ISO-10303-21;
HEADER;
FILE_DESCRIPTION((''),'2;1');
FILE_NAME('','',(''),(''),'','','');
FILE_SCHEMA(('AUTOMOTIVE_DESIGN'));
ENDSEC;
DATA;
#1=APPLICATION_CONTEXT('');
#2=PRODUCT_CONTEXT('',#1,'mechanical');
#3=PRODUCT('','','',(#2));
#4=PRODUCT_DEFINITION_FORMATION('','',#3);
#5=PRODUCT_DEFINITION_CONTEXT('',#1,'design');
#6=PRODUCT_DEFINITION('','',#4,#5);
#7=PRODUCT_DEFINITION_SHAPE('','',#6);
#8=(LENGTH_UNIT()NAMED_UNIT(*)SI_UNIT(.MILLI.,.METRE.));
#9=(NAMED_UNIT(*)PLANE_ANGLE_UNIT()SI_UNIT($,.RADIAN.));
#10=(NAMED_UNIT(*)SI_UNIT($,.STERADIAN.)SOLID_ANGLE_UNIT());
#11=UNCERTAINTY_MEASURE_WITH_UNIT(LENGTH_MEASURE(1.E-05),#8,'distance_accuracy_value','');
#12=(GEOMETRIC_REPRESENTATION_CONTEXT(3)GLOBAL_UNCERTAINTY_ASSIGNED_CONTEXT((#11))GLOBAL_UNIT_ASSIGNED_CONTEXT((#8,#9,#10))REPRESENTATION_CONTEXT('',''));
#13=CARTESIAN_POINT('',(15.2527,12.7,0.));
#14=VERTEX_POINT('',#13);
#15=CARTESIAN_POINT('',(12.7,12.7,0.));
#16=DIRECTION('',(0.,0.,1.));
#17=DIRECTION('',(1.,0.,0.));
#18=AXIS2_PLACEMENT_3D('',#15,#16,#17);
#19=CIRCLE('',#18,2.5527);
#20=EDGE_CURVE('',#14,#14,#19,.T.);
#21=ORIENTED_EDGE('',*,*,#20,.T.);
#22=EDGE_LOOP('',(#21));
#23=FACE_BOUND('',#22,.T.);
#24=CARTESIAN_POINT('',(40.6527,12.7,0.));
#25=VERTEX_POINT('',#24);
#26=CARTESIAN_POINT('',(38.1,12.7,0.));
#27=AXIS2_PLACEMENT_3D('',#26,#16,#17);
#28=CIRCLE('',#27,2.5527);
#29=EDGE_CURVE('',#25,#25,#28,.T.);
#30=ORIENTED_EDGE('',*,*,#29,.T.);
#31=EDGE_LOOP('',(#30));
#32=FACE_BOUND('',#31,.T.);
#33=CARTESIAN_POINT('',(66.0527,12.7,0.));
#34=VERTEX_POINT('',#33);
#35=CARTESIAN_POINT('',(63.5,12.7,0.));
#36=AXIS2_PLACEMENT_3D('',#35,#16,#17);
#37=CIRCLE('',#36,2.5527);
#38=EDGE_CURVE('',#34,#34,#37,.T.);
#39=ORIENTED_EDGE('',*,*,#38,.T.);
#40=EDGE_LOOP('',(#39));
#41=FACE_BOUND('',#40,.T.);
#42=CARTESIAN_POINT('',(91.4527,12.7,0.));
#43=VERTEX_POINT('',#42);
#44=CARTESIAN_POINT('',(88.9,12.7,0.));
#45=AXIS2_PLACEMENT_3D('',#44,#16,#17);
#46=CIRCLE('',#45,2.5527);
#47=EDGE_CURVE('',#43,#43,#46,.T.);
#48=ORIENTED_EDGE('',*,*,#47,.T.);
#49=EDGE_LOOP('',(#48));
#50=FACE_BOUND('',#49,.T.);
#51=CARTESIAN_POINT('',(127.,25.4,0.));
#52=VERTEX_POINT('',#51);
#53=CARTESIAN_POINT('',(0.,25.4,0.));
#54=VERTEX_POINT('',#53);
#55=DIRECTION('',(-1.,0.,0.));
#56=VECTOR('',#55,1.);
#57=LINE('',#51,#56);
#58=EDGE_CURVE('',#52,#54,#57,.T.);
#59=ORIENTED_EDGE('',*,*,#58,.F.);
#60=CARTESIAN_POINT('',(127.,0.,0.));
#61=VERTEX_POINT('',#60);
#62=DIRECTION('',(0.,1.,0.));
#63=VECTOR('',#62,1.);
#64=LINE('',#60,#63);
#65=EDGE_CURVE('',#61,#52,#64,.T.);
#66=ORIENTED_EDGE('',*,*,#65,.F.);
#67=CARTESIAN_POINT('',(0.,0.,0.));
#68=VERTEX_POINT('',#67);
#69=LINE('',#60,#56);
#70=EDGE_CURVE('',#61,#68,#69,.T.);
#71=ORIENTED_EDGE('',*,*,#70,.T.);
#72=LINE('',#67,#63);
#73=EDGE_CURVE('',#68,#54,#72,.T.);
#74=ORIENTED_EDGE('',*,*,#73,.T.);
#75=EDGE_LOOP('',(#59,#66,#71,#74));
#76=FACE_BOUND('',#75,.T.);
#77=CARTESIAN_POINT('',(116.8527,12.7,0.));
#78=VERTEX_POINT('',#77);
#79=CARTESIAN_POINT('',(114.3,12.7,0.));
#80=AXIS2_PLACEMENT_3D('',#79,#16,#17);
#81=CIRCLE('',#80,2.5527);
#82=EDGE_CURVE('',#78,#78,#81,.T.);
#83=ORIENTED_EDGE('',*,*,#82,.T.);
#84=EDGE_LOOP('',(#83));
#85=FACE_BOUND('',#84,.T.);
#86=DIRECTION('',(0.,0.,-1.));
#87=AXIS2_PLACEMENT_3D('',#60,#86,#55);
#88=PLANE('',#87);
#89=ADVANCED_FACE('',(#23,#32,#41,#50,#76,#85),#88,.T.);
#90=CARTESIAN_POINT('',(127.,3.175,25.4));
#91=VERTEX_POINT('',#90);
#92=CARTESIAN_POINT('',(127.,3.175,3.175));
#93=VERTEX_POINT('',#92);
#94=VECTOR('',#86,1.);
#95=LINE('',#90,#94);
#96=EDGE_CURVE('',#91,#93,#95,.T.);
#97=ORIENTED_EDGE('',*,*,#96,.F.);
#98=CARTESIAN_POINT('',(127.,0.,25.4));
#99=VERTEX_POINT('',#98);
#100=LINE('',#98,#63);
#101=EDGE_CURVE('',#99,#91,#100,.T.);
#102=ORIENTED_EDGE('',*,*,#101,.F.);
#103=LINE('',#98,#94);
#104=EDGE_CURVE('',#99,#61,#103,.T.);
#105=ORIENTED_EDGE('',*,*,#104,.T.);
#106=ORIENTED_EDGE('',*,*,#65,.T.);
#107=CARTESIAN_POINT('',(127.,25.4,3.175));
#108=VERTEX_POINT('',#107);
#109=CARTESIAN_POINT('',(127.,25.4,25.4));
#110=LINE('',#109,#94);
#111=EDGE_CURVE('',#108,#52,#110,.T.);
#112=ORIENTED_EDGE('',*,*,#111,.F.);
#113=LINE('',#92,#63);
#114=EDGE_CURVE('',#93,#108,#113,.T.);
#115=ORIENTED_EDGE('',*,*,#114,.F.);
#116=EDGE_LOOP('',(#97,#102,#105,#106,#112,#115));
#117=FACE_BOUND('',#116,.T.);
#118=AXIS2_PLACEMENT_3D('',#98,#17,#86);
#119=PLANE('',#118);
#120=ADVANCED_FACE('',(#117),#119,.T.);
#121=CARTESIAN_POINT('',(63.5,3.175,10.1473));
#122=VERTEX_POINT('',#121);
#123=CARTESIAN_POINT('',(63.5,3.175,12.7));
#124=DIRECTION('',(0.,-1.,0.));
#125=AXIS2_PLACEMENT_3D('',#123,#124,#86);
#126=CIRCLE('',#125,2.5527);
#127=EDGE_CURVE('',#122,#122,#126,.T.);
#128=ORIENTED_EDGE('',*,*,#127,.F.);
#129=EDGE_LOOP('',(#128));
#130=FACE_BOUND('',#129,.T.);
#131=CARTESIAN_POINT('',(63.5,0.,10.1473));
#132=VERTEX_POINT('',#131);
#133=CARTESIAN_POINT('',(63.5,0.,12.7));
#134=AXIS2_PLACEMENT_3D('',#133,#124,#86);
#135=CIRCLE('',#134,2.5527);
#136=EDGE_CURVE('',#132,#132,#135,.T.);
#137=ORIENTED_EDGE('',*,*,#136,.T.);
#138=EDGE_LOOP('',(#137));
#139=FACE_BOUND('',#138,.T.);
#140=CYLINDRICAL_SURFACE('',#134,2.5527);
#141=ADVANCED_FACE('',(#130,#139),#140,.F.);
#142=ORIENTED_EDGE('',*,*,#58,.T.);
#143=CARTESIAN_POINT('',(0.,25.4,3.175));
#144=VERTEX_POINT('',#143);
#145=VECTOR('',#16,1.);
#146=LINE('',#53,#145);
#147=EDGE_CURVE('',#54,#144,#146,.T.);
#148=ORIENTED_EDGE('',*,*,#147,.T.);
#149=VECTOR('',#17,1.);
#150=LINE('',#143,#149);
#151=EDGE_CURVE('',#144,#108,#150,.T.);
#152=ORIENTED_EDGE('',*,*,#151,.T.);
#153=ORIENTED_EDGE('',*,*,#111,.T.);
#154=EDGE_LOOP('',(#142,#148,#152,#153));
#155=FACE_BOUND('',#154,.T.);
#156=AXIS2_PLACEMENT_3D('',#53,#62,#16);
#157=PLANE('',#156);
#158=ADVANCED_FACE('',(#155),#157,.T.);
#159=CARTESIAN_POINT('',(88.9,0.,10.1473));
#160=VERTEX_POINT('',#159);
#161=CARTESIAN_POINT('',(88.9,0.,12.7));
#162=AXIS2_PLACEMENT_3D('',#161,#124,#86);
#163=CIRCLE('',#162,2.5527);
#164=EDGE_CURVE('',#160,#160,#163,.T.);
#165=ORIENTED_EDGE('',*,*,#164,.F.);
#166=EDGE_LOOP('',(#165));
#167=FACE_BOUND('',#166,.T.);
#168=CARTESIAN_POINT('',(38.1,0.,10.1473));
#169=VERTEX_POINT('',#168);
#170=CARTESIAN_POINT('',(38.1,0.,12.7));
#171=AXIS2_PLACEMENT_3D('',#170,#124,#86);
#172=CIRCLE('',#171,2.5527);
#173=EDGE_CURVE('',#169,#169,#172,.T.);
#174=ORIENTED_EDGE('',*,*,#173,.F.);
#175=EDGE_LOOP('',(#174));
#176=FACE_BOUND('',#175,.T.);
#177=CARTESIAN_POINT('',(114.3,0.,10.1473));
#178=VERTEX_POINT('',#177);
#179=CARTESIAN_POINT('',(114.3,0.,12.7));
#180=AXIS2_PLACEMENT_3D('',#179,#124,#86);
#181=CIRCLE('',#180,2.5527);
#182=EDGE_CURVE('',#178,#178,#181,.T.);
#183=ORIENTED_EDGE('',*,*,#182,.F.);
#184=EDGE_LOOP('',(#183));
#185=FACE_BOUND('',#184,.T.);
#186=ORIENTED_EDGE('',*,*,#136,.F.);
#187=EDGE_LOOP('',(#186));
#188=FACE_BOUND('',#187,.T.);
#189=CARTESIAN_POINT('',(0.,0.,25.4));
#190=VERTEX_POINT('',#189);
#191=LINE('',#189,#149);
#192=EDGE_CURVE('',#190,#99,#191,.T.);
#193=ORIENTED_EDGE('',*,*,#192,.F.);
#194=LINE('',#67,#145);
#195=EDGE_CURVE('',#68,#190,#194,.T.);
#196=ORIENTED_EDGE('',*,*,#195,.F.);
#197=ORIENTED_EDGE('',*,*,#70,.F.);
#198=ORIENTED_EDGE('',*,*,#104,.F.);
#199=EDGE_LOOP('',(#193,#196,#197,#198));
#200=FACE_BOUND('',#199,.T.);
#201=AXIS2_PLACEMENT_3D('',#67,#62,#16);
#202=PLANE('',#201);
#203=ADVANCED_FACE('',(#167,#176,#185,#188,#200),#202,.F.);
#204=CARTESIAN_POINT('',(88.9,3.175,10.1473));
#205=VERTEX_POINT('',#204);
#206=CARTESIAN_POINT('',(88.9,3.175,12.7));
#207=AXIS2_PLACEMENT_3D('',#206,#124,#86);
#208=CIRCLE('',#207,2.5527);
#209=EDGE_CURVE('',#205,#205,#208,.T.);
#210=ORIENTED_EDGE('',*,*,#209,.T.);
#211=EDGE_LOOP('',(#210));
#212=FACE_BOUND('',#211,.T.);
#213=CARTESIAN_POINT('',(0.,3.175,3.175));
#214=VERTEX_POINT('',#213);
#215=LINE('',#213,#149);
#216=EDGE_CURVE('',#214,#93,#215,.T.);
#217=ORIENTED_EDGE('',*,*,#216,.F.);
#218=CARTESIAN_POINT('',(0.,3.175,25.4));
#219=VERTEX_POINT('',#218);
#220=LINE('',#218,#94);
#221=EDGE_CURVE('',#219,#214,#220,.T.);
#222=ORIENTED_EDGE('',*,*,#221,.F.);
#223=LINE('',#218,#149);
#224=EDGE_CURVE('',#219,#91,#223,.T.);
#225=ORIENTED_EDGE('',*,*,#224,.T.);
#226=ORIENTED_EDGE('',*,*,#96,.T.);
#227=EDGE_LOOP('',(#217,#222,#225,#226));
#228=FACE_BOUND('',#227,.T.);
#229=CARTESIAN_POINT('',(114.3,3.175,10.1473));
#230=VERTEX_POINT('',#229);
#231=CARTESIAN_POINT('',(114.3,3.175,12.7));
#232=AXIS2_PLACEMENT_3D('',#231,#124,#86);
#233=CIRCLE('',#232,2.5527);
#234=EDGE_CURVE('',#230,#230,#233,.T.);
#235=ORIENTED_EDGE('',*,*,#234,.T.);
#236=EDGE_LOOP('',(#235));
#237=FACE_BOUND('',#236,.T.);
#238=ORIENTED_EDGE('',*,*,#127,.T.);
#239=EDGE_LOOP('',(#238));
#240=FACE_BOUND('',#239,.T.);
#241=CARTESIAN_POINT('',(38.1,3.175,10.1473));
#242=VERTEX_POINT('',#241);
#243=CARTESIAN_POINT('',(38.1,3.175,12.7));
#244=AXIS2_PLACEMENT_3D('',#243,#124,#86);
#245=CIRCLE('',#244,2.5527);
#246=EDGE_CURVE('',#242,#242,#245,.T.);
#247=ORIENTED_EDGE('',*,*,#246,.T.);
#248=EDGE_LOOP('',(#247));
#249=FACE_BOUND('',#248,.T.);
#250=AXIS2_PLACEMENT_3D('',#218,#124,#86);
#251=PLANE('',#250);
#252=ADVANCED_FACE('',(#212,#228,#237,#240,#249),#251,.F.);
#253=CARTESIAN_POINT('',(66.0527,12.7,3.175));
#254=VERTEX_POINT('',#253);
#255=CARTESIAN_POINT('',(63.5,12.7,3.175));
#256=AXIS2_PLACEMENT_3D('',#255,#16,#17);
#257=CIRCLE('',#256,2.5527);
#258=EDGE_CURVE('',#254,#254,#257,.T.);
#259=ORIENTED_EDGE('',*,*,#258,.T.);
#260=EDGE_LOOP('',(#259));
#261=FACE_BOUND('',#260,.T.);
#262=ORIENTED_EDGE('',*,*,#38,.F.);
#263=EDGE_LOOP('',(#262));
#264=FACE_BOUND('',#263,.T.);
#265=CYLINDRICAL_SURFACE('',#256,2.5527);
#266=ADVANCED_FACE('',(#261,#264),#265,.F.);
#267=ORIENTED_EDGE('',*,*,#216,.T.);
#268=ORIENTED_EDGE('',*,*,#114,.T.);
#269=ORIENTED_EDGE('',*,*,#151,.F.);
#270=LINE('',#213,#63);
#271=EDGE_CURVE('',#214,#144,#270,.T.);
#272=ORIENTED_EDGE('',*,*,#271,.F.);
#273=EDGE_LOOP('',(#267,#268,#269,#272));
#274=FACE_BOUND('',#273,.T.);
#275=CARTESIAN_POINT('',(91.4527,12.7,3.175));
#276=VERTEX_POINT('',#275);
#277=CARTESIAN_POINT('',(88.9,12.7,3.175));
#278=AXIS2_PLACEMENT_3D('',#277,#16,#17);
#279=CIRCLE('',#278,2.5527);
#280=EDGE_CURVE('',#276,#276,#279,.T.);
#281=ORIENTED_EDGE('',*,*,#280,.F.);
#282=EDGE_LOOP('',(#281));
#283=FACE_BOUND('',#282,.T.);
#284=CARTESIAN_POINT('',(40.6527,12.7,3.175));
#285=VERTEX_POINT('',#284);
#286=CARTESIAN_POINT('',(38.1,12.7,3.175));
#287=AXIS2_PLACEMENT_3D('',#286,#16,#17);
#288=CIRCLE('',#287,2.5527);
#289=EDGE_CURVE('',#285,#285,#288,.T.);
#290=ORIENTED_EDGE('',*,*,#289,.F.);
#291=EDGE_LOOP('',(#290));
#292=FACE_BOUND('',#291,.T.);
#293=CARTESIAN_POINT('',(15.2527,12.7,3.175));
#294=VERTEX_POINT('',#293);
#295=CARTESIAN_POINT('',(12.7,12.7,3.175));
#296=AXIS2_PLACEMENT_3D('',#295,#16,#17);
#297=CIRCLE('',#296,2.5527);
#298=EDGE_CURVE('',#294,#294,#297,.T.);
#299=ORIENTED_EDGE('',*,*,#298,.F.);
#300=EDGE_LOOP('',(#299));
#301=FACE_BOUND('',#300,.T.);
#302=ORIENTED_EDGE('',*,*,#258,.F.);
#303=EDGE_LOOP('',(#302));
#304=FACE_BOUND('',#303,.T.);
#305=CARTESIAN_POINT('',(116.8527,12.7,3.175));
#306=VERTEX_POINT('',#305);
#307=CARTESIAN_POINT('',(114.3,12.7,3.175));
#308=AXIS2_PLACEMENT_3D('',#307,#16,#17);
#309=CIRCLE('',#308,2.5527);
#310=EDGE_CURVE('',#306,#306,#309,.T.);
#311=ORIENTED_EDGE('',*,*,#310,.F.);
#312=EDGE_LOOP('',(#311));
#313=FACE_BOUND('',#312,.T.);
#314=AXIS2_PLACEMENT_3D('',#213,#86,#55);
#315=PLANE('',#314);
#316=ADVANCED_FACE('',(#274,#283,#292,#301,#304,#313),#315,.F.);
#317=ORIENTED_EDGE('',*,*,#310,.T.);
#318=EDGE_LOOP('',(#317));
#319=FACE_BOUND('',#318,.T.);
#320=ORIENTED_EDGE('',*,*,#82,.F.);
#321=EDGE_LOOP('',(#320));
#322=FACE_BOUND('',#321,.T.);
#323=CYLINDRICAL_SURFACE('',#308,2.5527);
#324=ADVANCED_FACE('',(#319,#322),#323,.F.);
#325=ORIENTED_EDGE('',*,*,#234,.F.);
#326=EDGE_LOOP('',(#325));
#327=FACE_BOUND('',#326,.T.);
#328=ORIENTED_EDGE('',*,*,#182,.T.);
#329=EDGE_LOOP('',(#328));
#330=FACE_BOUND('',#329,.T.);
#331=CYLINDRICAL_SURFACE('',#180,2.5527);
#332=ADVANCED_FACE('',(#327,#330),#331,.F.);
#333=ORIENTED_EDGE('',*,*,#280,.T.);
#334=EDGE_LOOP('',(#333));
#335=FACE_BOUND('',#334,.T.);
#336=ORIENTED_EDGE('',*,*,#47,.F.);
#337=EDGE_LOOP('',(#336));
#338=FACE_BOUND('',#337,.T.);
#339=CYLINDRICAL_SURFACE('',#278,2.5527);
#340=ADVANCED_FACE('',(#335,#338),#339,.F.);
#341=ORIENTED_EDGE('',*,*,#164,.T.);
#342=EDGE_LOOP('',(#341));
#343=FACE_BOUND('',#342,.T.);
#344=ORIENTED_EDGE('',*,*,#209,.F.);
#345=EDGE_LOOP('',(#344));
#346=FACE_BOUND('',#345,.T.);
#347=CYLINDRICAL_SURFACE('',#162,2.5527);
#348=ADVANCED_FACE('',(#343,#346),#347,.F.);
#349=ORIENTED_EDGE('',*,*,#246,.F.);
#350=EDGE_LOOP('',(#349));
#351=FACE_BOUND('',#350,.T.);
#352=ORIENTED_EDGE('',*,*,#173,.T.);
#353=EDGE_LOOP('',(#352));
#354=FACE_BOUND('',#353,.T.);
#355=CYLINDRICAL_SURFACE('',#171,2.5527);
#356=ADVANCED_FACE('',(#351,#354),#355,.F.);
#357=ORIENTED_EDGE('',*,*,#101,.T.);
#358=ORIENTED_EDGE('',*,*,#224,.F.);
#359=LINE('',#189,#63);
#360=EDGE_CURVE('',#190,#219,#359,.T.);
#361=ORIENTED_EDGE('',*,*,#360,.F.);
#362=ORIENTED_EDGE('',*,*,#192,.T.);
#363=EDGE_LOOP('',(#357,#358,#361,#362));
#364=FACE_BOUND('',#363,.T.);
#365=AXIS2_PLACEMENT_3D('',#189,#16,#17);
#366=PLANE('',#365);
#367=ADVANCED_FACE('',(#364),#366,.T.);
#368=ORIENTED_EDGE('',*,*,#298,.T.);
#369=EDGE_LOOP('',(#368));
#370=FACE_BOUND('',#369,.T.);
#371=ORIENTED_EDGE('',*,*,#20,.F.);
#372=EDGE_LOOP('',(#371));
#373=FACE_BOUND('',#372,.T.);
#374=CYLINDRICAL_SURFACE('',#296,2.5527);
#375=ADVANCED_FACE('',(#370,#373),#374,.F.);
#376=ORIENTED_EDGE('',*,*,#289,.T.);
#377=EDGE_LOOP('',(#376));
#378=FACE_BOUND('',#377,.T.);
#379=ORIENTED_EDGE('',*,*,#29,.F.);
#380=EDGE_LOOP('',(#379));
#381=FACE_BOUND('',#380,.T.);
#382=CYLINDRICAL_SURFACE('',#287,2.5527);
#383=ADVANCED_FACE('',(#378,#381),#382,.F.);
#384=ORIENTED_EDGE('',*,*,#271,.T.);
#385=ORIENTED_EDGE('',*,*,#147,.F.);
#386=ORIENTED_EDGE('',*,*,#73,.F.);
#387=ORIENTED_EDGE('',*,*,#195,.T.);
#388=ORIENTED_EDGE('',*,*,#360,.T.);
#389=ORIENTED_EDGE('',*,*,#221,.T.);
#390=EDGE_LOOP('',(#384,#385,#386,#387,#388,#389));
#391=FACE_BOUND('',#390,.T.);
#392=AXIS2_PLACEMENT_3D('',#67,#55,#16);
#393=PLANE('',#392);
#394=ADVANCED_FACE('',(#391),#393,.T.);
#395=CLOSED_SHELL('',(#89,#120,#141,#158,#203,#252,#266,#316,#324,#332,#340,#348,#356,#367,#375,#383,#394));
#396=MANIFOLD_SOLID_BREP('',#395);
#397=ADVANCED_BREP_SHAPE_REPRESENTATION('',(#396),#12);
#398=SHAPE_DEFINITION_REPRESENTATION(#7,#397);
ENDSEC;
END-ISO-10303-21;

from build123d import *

# Parameters (mm, degrees)
SKETCH1_W                      = 127
SKETCH1_H                      = 25.4
BOSS_EXTRUDE1_DEPTH            = 25.4
SKETCH2_W                      = 22.225
SKETCH2_H                      = 22.225
CUT_EXTRUDE1_DEPTH             = 132.982271537
F_7_0_201_DIAMETER_HOLE1_D     = 5.1054
F_7_0_201_DIAMETER_HOLE1_DEPTH = 25.4
F_7_0_201_DIAMETER_HOLE2_D     = 5.1054


with BuildPart() as part:
    # Sketch1 → Boss-Extrude1 (new body)
    with BuildSketch(Plane(origin=(0, 25.4, 0), x_dir=(1, 0, 0), z_dir=(0, 1, 0))):
        with Locations((63.5, -12.7)):
            Rectangle(SKETCH1_W, SKETCH1_H)
    extrude(amount=-BOSS_EXTRUDE1_DEPTH)

    # Sketch2 → Cut-Extrude1 (cut, through all)
    with BuildSketch(Plane(origin=(127, 0, 0), x_dir=(0, 0, -1), z_dir=(1, 0, 0))):
        with Locations((-14.2875, 14.2875)):
            Rectangle(SKETCH2_W, SKETCH2_H)
    extrude(amount=-CUT_EXTRUDE1_DEPTH, mode=Mode.SUBTRACT)

    # #7 (0.201) Diameter Hole1
    with Locations(Plane.XZ):
        with Locations((-12.7, -12.7), (38.1, 12.7), (63.5, 12.7), (88.9, 12.7), (114.3, 12.7)):
            Hole(F_7_0_201_DIAMETER_HOLE1_D / 2, depth=F_7_0_201_DIAMETER_HOLE1_DEPTH)

    # #7 (0.201) Diameter Hole2 (through all)
    with Locations(Plane.XY.offset(3.175)):
        with Locations((12.7, 12.7), (38.1, 12.7), (63.5, 12.7), (88.9, 12.7), (114.3, 12.7)):
            Hole(F_7_0_201_DIAMETER_HOLE2_D / 2)


solid = part.part
